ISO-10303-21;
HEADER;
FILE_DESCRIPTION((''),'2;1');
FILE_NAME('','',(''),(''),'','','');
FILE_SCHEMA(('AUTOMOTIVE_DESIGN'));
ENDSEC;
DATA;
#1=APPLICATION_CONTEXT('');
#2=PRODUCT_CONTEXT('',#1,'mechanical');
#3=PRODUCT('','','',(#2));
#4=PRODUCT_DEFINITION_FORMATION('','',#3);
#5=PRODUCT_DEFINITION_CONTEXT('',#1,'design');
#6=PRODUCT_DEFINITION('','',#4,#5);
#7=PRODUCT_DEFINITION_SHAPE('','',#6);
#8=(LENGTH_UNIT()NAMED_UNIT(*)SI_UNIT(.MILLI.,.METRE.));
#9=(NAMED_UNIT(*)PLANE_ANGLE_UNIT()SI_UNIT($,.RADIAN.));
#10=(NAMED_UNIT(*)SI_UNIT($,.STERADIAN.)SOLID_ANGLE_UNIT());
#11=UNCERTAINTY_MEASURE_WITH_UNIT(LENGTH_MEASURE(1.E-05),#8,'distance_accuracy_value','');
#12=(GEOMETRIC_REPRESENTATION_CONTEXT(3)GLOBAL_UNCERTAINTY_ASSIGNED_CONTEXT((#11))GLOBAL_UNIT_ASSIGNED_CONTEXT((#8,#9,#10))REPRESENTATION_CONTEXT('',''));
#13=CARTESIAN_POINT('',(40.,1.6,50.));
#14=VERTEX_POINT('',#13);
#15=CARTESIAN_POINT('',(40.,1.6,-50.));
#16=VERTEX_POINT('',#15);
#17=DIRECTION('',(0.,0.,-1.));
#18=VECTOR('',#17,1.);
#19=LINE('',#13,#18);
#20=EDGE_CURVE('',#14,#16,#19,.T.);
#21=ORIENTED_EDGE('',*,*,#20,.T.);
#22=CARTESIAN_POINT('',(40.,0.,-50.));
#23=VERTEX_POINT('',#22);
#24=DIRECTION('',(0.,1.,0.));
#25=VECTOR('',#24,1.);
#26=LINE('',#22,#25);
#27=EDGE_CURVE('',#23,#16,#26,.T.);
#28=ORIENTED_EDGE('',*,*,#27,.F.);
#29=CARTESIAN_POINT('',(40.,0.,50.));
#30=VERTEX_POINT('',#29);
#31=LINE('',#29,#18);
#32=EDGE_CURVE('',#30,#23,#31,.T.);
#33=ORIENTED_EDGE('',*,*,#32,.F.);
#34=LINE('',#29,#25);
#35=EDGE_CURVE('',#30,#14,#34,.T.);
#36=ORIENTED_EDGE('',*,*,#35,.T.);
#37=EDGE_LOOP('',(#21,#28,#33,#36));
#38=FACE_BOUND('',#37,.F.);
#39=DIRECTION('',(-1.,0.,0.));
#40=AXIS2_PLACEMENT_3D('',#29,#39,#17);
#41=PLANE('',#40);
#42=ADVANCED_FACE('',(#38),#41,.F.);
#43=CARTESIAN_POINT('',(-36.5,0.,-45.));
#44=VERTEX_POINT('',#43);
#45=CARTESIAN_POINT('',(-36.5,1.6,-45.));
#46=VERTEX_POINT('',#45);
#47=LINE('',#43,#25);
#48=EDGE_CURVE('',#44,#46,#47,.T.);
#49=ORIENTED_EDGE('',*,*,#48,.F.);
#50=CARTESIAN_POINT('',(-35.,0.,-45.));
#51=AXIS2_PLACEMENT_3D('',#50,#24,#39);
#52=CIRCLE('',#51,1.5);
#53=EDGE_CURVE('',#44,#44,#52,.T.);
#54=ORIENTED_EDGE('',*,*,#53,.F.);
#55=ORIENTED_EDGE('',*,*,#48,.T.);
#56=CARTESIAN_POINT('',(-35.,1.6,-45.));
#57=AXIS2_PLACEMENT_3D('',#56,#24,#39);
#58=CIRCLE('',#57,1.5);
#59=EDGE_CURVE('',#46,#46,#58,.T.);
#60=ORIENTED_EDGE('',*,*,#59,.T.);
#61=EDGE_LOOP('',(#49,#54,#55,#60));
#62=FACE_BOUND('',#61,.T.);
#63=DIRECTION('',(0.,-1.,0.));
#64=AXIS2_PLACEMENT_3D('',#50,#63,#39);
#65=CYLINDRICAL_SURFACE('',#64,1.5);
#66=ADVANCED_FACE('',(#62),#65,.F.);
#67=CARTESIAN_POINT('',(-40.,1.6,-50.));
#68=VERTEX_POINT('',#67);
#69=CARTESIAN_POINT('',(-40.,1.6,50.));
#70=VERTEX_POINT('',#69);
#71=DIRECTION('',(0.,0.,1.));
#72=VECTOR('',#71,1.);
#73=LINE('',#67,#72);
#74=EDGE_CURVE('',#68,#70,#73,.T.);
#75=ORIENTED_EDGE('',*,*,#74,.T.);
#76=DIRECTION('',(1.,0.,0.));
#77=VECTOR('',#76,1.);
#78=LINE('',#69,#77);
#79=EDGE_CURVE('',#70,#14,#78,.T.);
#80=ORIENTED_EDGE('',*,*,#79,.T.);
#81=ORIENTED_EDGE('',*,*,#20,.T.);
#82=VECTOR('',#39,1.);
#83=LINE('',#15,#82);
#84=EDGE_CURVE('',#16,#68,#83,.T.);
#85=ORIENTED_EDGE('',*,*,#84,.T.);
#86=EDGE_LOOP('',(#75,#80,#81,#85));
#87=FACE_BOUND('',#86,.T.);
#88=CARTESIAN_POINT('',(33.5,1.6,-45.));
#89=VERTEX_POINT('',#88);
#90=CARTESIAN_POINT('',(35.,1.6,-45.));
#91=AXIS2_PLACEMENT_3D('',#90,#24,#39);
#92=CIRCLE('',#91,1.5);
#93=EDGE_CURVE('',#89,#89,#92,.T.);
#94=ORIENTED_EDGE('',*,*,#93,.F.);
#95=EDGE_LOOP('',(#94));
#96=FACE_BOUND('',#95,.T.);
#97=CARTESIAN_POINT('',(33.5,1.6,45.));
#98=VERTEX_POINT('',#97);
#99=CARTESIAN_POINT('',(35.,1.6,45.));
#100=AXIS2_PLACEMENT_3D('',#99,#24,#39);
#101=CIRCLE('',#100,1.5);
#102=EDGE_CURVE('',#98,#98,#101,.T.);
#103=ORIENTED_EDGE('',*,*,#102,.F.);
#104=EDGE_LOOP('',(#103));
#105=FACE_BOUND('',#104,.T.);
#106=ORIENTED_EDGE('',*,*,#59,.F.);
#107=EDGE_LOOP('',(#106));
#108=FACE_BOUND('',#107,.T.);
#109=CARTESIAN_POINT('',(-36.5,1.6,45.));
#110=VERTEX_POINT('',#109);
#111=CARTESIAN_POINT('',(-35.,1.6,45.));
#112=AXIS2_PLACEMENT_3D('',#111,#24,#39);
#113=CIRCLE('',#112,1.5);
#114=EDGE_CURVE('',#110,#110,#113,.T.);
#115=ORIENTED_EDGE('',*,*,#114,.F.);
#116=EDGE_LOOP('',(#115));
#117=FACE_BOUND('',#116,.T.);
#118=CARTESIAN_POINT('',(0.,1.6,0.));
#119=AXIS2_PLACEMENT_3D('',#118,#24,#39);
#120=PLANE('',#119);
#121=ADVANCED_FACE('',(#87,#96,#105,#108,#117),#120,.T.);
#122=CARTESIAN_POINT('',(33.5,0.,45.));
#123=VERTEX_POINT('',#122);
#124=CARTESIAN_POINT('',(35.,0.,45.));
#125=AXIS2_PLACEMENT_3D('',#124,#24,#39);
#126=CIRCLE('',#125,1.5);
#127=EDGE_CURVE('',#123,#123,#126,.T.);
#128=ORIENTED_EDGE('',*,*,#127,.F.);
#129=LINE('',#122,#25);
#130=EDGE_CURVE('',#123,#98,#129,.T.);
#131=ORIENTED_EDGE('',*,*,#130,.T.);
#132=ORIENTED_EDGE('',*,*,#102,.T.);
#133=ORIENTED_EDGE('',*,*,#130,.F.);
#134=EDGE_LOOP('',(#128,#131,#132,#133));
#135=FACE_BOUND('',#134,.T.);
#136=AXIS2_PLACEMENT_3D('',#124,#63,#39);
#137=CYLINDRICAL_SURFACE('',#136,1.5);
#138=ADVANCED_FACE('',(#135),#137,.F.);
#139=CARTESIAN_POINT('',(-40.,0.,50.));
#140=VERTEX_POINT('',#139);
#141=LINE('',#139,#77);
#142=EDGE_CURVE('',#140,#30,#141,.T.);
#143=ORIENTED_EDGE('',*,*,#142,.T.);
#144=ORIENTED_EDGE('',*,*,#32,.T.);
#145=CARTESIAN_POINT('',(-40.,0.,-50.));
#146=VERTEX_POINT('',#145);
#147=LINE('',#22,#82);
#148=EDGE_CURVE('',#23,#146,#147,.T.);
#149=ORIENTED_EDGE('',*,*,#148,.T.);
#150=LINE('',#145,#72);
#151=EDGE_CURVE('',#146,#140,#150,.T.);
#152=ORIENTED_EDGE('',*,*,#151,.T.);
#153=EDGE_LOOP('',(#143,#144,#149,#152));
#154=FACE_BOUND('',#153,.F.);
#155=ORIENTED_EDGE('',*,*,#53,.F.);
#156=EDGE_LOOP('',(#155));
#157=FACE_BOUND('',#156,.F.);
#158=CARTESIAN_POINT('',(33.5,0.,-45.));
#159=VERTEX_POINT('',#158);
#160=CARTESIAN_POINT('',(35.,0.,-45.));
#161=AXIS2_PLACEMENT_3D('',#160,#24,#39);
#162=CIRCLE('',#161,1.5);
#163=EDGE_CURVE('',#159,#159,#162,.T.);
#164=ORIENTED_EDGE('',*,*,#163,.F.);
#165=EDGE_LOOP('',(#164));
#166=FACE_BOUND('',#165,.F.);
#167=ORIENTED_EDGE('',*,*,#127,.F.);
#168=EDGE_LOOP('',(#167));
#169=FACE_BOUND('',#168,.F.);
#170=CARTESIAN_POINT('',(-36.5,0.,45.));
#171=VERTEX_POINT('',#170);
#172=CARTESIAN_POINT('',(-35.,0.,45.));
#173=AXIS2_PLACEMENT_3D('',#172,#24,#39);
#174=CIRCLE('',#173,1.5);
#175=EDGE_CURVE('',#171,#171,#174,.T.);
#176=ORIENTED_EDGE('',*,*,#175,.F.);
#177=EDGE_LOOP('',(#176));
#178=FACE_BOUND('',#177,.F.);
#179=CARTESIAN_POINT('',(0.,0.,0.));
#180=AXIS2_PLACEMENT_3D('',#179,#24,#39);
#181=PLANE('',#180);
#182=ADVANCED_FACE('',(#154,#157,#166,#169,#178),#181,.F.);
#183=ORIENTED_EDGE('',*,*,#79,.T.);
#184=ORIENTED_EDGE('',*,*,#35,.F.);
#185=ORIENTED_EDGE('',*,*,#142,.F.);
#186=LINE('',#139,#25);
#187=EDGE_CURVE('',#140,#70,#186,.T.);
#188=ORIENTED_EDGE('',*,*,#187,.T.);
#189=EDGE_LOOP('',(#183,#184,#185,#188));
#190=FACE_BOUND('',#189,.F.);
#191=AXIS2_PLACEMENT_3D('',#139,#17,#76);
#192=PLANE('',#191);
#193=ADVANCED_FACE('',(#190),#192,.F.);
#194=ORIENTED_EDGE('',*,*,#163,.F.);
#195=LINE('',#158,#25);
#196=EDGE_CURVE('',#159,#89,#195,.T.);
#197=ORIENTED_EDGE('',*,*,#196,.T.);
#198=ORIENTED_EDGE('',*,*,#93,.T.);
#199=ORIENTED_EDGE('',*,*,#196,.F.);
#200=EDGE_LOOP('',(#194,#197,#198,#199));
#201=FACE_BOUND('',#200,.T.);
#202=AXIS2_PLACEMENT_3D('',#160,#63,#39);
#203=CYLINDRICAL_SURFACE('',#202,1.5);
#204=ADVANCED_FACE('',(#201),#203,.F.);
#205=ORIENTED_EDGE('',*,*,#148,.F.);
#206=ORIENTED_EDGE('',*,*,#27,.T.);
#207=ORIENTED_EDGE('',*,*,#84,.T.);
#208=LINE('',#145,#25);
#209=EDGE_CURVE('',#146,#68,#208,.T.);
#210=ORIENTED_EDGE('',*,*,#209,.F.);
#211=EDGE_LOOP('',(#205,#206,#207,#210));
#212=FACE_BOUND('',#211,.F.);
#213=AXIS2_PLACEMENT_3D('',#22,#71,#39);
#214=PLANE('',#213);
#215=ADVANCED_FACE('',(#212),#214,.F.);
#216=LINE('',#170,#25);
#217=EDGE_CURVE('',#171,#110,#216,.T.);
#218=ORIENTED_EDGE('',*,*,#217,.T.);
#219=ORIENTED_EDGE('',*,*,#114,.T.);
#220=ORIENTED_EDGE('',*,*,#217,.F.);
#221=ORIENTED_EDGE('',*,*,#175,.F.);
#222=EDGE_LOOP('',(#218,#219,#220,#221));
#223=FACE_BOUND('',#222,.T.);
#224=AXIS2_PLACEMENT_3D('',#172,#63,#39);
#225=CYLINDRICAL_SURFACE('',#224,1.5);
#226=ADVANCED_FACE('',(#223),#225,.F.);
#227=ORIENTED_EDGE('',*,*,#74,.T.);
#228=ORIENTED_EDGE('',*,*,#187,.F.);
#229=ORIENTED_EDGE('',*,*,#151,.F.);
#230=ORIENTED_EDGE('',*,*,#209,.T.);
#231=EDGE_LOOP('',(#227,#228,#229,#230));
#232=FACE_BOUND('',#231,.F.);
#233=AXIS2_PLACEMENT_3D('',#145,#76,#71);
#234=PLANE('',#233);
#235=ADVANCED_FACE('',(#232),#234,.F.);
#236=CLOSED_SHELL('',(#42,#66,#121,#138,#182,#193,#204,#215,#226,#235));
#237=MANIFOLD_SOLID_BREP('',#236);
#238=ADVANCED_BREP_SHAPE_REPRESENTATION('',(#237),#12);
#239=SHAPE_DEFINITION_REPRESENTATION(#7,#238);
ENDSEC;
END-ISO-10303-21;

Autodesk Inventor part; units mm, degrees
ref_plane "YZ Plane" through (0, 0, 0) normal (1, 0, 0) x (0, 1, 0)
ref_plane "XZ Plane" through (0, 0, 0) normal (0, 1, 0) x (-1, 0, 0)
ref_plane "XY Plane" through (0, 0, 0) normal (0, 0, 1) x (1, 0, 0)
sketch "Skizze1" plane through (0, 0, 0) normal (0, 1, 0) x (-1, 0, 0)
  line L0 (40, 50) -> (-40, 50)
  line L1 (-40, 50) -> (-40, -50)
  line L2 (-40, -50) -> (40, -50)
  line L3 (40, -50) -> (40, 50)
  line L4 (0, 0) -> (0, -50) construction
  line L5 (0, 0) -> (40, 0) construction
  line L6 (35, 45) -> (-35, 45) construction
  line L7 (-35, 45) -> (-35, -45) construction
  line L8 (-35, -45) -> (35, -45) construction
  line L9 (35, -45) -> (35, 45) construction
  circle A0 centre (35, 45) radius 1.5
  circle A1 centre (-35, 45) radius 1.5
  circle A2 centre (-35, -45) radius 1.5
  circle A3 centre (35, -45) radius 1.5
  point P0 (35, 0)
  point P1 (0, -45)
  dimension "d0" = 100
  dimension "d1" = 80
  dimension "d2" = 5
  dimension "d3" = 5
  dimension "d4" = 3
  dimension "d5" = 3
  dimension "d6" = 3
  dimension "d7" = 3
extrude "Extrusion1" add sketch "Skizze1" along normal blind 1.6
properties part number "Platine_MCU"
